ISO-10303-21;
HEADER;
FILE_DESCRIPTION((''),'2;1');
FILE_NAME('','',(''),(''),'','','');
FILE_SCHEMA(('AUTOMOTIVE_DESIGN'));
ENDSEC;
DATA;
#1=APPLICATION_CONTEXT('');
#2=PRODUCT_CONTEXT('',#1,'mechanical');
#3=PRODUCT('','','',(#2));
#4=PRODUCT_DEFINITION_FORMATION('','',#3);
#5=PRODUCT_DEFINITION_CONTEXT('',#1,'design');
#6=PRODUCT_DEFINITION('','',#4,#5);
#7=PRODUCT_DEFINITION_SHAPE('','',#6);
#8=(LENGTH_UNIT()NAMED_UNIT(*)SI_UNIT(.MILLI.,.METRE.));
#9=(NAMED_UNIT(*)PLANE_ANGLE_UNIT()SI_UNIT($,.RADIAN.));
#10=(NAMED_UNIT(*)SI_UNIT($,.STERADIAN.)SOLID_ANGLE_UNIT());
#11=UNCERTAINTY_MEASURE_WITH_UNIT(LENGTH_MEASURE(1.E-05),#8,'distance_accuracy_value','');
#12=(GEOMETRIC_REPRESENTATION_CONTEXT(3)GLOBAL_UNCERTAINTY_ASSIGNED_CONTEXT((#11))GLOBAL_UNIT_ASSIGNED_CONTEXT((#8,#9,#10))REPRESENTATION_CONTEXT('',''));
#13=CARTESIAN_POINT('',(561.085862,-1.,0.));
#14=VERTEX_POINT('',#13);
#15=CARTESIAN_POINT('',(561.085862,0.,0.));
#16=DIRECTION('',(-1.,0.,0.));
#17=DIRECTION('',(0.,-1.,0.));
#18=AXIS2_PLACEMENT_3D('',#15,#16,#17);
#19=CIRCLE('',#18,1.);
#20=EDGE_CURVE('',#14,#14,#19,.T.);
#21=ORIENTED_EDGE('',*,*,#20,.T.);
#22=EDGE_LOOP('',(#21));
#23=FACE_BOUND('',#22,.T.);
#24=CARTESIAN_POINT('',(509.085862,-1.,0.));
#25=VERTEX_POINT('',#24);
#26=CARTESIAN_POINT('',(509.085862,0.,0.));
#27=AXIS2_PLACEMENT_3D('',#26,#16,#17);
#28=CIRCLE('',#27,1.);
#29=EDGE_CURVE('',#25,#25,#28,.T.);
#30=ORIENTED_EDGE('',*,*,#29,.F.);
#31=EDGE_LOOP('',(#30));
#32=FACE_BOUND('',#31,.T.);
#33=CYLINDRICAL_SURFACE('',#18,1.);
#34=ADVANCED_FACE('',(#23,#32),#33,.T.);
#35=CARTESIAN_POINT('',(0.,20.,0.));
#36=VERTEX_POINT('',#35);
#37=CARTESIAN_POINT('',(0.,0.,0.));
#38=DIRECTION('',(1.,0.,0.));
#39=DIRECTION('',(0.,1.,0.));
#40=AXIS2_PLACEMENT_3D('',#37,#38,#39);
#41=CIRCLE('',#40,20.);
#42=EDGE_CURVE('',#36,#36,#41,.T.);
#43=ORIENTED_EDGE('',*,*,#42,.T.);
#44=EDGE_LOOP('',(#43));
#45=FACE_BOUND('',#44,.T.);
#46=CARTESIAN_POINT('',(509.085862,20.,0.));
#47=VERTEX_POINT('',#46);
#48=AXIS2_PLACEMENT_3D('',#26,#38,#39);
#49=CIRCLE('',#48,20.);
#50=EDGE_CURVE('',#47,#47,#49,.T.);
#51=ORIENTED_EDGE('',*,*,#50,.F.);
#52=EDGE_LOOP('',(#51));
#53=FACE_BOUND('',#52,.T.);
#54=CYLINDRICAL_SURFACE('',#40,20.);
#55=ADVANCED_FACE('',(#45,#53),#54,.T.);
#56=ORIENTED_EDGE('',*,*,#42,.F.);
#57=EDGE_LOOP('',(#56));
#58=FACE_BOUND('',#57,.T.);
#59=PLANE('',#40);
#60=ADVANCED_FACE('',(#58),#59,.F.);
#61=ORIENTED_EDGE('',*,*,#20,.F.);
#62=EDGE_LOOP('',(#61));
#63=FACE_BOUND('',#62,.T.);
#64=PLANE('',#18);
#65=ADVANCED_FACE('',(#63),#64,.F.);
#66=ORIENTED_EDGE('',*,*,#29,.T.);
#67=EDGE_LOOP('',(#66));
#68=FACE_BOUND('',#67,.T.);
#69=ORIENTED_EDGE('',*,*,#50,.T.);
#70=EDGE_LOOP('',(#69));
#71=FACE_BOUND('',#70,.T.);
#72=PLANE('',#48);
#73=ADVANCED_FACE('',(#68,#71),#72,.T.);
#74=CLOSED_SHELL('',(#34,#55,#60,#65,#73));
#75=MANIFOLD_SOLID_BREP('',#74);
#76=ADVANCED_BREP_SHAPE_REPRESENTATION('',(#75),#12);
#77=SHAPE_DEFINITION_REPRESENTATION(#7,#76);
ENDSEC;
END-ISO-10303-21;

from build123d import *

# Parameters (mm, degrees)
SWEEP1_PROFILE_R = 20
SWEEP2_PROFILE_R = 1


with BuildPart() as part:
    # Sweep1: sweep along a path in Sketch1
    with BuildLine(Plane.XY) as sweep1_path:
        Line((0, 0), (509.085862196, 0))
    # Sweep1 profile (on start of the path) → Sweep1 (sweep)
    with BuildSketch(Plane.YZ):
        Circle(SWEEP1_PROFILE_R)
    sweep(path=sweep1_path.line)

    # Sweep2: sweep along a path in Sketch16
    with BuildLine(Plane.XY) as sweep2_path:
        Line((561.085862196, 0), (509.085862196, 0))
    # Sweep2 profile (on start of the path) → Sweep2 (sweep)
    with BuildSketch(Plane(origin=(561.085862196, 0, 0), x_dir=(0, -1, 0), z_dir=(-1, 0, 0))):
        Circle(SWEEP2_PROFILE_R)
    sweep(path=sweep2_path.line)


solid = part.part
